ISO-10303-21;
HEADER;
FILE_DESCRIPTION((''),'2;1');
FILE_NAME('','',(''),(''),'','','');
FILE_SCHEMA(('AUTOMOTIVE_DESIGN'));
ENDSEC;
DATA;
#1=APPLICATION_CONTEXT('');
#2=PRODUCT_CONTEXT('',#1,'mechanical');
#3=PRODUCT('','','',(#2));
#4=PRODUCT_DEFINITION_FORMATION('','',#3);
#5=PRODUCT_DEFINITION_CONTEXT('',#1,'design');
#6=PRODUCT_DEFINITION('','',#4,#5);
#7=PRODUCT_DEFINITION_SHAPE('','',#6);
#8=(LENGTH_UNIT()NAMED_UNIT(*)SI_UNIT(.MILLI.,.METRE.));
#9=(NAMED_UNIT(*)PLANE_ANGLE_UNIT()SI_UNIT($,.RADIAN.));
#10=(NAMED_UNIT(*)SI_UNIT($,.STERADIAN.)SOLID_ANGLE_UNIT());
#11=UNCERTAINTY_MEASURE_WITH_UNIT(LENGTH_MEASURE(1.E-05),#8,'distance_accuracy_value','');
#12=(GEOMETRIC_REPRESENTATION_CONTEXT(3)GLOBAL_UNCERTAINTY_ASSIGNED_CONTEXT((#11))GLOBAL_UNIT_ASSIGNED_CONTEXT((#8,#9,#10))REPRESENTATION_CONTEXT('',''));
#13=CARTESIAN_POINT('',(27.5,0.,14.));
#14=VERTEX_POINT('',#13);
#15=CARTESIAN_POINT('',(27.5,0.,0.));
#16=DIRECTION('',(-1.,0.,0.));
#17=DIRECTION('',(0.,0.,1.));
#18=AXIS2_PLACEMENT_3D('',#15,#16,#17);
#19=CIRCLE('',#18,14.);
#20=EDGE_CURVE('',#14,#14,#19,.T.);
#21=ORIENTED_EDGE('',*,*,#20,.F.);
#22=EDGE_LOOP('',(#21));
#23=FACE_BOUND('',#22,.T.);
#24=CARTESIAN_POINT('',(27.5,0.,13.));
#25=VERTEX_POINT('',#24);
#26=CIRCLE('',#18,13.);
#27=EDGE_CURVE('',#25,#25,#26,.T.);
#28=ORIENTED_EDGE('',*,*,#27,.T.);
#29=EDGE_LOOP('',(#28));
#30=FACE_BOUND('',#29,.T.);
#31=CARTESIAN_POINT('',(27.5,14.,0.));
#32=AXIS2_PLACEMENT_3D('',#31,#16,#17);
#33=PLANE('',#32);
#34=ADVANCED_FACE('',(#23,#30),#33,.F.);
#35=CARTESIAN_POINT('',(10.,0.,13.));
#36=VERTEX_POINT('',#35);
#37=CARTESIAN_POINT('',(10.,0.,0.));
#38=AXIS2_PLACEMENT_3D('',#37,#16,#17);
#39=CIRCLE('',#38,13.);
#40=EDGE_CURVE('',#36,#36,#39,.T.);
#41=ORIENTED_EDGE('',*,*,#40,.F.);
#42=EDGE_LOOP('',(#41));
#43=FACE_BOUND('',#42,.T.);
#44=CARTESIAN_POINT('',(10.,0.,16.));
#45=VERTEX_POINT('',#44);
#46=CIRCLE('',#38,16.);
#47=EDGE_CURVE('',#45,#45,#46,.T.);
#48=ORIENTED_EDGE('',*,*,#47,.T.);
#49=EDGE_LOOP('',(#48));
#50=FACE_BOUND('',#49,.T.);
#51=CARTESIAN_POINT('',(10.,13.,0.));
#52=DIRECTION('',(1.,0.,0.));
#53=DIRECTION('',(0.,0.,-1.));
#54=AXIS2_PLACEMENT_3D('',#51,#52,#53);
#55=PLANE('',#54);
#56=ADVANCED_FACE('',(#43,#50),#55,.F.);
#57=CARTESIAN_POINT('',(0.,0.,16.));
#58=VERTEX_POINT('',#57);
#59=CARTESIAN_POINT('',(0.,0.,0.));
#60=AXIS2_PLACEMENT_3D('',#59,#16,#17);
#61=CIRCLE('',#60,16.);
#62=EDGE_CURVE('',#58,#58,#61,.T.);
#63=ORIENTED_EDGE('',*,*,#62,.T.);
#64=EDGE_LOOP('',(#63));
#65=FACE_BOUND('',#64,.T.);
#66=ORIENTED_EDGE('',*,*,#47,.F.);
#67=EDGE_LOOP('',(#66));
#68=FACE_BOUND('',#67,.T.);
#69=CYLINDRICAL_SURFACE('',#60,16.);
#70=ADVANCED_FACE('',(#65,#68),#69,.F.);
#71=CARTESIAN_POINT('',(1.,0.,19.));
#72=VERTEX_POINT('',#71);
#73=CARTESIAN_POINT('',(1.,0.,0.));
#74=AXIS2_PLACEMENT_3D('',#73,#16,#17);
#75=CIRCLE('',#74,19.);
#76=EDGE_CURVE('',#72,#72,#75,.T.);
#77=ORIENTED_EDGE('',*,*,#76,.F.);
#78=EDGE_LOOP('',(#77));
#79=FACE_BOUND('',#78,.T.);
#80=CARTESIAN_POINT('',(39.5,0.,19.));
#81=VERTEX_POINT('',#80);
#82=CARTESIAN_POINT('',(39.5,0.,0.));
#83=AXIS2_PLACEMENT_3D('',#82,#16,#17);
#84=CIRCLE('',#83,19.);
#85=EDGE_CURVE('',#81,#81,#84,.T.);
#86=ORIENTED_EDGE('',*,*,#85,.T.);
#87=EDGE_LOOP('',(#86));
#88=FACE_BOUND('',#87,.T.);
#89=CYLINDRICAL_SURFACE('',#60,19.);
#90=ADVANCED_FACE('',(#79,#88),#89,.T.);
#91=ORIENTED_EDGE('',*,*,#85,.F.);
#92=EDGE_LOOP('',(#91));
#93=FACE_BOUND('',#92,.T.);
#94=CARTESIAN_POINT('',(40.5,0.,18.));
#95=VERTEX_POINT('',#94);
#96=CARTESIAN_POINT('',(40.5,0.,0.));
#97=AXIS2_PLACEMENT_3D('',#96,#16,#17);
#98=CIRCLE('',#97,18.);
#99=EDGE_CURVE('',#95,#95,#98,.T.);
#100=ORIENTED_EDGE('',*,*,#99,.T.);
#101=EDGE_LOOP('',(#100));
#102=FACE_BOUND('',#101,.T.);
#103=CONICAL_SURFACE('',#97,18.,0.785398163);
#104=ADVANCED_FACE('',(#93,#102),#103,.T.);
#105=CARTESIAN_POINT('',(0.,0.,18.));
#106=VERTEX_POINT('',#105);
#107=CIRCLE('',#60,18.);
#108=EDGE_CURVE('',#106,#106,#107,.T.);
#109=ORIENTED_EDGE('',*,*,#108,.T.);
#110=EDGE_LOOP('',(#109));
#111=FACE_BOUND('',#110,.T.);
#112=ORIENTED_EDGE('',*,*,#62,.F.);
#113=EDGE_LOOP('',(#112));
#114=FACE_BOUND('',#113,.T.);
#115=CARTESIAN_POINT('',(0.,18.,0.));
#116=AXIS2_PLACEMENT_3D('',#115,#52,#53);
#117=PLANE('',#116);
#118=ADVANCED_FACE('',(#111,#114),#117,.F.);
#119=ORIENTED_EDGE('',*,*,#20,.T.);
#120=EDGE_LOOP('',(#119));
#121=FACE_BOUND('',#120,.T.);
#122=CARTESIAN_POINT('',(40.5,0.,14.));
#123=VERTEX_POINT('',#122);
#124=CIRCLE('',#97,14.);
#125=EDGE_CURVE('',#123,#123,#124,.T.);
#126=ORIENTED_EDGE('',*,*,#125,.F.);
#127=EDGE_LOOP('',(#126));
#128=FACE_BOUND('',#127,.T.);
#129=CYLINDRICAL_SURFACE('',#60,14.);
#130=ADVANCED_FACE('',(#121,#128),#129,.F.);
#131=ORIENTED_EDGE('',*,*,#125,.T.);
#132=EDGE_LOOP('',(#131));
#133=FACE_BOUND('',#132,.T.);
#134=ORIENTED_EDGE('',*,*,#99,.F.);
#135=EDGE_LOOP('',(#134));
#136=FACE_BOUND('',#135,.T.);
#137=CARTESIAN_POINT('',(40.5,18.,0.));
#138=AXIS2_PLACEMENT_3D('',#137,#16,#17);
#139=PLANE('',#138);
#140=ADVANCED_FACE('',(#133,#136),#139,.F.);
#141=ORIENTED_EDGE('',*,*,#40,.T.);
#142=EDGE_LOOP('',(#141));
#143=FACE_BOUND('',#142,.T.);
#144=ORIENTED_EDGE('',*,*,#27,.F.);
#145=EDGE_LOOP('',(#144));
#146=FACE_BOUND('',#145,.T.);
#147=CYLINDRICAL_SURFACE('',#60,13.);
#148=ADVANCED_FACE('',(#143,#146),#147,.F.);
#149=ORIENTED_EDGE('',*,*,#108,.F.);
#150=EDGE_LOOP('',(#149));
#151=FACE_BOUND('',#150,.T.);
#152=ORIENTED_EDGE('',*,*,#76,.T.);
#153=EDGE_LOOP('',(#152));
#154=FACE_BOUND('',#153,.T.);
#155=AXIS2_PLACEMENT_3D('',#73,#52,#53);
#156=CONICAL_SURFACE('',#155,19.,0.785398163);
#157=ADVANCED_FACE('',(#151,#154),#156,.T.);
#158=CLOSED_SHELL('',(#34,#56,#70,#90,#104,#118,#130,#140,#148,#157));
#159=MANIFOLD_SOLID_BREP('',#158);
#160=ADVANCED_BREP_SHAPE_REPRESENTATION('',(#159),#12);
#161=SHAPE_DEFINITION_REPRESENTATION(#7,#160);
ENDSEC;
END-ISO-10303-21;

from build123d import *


with BuildPart() as part:
    # Esquisse1 → Base-Révolution (revolve)
    with BuildSketch(Plane.XY, mode=Mode.PRIVATE) as base_r_volution_sk:
        Polygon((0, 18), (0, 16), (10, 16), (10, 13), (27.5, 13), (27.5, 14), (40.5, 14), (40.5, 18), (39.5, 19), (1, 19), align=None)
    revolve(base_r_volution_sk.sketch.rotate(Axis((0, 0, 0), (1, 0, 0)), 90), axis=Axis((0, 0, 0), (1, 0, 0)))


solid = part.part
